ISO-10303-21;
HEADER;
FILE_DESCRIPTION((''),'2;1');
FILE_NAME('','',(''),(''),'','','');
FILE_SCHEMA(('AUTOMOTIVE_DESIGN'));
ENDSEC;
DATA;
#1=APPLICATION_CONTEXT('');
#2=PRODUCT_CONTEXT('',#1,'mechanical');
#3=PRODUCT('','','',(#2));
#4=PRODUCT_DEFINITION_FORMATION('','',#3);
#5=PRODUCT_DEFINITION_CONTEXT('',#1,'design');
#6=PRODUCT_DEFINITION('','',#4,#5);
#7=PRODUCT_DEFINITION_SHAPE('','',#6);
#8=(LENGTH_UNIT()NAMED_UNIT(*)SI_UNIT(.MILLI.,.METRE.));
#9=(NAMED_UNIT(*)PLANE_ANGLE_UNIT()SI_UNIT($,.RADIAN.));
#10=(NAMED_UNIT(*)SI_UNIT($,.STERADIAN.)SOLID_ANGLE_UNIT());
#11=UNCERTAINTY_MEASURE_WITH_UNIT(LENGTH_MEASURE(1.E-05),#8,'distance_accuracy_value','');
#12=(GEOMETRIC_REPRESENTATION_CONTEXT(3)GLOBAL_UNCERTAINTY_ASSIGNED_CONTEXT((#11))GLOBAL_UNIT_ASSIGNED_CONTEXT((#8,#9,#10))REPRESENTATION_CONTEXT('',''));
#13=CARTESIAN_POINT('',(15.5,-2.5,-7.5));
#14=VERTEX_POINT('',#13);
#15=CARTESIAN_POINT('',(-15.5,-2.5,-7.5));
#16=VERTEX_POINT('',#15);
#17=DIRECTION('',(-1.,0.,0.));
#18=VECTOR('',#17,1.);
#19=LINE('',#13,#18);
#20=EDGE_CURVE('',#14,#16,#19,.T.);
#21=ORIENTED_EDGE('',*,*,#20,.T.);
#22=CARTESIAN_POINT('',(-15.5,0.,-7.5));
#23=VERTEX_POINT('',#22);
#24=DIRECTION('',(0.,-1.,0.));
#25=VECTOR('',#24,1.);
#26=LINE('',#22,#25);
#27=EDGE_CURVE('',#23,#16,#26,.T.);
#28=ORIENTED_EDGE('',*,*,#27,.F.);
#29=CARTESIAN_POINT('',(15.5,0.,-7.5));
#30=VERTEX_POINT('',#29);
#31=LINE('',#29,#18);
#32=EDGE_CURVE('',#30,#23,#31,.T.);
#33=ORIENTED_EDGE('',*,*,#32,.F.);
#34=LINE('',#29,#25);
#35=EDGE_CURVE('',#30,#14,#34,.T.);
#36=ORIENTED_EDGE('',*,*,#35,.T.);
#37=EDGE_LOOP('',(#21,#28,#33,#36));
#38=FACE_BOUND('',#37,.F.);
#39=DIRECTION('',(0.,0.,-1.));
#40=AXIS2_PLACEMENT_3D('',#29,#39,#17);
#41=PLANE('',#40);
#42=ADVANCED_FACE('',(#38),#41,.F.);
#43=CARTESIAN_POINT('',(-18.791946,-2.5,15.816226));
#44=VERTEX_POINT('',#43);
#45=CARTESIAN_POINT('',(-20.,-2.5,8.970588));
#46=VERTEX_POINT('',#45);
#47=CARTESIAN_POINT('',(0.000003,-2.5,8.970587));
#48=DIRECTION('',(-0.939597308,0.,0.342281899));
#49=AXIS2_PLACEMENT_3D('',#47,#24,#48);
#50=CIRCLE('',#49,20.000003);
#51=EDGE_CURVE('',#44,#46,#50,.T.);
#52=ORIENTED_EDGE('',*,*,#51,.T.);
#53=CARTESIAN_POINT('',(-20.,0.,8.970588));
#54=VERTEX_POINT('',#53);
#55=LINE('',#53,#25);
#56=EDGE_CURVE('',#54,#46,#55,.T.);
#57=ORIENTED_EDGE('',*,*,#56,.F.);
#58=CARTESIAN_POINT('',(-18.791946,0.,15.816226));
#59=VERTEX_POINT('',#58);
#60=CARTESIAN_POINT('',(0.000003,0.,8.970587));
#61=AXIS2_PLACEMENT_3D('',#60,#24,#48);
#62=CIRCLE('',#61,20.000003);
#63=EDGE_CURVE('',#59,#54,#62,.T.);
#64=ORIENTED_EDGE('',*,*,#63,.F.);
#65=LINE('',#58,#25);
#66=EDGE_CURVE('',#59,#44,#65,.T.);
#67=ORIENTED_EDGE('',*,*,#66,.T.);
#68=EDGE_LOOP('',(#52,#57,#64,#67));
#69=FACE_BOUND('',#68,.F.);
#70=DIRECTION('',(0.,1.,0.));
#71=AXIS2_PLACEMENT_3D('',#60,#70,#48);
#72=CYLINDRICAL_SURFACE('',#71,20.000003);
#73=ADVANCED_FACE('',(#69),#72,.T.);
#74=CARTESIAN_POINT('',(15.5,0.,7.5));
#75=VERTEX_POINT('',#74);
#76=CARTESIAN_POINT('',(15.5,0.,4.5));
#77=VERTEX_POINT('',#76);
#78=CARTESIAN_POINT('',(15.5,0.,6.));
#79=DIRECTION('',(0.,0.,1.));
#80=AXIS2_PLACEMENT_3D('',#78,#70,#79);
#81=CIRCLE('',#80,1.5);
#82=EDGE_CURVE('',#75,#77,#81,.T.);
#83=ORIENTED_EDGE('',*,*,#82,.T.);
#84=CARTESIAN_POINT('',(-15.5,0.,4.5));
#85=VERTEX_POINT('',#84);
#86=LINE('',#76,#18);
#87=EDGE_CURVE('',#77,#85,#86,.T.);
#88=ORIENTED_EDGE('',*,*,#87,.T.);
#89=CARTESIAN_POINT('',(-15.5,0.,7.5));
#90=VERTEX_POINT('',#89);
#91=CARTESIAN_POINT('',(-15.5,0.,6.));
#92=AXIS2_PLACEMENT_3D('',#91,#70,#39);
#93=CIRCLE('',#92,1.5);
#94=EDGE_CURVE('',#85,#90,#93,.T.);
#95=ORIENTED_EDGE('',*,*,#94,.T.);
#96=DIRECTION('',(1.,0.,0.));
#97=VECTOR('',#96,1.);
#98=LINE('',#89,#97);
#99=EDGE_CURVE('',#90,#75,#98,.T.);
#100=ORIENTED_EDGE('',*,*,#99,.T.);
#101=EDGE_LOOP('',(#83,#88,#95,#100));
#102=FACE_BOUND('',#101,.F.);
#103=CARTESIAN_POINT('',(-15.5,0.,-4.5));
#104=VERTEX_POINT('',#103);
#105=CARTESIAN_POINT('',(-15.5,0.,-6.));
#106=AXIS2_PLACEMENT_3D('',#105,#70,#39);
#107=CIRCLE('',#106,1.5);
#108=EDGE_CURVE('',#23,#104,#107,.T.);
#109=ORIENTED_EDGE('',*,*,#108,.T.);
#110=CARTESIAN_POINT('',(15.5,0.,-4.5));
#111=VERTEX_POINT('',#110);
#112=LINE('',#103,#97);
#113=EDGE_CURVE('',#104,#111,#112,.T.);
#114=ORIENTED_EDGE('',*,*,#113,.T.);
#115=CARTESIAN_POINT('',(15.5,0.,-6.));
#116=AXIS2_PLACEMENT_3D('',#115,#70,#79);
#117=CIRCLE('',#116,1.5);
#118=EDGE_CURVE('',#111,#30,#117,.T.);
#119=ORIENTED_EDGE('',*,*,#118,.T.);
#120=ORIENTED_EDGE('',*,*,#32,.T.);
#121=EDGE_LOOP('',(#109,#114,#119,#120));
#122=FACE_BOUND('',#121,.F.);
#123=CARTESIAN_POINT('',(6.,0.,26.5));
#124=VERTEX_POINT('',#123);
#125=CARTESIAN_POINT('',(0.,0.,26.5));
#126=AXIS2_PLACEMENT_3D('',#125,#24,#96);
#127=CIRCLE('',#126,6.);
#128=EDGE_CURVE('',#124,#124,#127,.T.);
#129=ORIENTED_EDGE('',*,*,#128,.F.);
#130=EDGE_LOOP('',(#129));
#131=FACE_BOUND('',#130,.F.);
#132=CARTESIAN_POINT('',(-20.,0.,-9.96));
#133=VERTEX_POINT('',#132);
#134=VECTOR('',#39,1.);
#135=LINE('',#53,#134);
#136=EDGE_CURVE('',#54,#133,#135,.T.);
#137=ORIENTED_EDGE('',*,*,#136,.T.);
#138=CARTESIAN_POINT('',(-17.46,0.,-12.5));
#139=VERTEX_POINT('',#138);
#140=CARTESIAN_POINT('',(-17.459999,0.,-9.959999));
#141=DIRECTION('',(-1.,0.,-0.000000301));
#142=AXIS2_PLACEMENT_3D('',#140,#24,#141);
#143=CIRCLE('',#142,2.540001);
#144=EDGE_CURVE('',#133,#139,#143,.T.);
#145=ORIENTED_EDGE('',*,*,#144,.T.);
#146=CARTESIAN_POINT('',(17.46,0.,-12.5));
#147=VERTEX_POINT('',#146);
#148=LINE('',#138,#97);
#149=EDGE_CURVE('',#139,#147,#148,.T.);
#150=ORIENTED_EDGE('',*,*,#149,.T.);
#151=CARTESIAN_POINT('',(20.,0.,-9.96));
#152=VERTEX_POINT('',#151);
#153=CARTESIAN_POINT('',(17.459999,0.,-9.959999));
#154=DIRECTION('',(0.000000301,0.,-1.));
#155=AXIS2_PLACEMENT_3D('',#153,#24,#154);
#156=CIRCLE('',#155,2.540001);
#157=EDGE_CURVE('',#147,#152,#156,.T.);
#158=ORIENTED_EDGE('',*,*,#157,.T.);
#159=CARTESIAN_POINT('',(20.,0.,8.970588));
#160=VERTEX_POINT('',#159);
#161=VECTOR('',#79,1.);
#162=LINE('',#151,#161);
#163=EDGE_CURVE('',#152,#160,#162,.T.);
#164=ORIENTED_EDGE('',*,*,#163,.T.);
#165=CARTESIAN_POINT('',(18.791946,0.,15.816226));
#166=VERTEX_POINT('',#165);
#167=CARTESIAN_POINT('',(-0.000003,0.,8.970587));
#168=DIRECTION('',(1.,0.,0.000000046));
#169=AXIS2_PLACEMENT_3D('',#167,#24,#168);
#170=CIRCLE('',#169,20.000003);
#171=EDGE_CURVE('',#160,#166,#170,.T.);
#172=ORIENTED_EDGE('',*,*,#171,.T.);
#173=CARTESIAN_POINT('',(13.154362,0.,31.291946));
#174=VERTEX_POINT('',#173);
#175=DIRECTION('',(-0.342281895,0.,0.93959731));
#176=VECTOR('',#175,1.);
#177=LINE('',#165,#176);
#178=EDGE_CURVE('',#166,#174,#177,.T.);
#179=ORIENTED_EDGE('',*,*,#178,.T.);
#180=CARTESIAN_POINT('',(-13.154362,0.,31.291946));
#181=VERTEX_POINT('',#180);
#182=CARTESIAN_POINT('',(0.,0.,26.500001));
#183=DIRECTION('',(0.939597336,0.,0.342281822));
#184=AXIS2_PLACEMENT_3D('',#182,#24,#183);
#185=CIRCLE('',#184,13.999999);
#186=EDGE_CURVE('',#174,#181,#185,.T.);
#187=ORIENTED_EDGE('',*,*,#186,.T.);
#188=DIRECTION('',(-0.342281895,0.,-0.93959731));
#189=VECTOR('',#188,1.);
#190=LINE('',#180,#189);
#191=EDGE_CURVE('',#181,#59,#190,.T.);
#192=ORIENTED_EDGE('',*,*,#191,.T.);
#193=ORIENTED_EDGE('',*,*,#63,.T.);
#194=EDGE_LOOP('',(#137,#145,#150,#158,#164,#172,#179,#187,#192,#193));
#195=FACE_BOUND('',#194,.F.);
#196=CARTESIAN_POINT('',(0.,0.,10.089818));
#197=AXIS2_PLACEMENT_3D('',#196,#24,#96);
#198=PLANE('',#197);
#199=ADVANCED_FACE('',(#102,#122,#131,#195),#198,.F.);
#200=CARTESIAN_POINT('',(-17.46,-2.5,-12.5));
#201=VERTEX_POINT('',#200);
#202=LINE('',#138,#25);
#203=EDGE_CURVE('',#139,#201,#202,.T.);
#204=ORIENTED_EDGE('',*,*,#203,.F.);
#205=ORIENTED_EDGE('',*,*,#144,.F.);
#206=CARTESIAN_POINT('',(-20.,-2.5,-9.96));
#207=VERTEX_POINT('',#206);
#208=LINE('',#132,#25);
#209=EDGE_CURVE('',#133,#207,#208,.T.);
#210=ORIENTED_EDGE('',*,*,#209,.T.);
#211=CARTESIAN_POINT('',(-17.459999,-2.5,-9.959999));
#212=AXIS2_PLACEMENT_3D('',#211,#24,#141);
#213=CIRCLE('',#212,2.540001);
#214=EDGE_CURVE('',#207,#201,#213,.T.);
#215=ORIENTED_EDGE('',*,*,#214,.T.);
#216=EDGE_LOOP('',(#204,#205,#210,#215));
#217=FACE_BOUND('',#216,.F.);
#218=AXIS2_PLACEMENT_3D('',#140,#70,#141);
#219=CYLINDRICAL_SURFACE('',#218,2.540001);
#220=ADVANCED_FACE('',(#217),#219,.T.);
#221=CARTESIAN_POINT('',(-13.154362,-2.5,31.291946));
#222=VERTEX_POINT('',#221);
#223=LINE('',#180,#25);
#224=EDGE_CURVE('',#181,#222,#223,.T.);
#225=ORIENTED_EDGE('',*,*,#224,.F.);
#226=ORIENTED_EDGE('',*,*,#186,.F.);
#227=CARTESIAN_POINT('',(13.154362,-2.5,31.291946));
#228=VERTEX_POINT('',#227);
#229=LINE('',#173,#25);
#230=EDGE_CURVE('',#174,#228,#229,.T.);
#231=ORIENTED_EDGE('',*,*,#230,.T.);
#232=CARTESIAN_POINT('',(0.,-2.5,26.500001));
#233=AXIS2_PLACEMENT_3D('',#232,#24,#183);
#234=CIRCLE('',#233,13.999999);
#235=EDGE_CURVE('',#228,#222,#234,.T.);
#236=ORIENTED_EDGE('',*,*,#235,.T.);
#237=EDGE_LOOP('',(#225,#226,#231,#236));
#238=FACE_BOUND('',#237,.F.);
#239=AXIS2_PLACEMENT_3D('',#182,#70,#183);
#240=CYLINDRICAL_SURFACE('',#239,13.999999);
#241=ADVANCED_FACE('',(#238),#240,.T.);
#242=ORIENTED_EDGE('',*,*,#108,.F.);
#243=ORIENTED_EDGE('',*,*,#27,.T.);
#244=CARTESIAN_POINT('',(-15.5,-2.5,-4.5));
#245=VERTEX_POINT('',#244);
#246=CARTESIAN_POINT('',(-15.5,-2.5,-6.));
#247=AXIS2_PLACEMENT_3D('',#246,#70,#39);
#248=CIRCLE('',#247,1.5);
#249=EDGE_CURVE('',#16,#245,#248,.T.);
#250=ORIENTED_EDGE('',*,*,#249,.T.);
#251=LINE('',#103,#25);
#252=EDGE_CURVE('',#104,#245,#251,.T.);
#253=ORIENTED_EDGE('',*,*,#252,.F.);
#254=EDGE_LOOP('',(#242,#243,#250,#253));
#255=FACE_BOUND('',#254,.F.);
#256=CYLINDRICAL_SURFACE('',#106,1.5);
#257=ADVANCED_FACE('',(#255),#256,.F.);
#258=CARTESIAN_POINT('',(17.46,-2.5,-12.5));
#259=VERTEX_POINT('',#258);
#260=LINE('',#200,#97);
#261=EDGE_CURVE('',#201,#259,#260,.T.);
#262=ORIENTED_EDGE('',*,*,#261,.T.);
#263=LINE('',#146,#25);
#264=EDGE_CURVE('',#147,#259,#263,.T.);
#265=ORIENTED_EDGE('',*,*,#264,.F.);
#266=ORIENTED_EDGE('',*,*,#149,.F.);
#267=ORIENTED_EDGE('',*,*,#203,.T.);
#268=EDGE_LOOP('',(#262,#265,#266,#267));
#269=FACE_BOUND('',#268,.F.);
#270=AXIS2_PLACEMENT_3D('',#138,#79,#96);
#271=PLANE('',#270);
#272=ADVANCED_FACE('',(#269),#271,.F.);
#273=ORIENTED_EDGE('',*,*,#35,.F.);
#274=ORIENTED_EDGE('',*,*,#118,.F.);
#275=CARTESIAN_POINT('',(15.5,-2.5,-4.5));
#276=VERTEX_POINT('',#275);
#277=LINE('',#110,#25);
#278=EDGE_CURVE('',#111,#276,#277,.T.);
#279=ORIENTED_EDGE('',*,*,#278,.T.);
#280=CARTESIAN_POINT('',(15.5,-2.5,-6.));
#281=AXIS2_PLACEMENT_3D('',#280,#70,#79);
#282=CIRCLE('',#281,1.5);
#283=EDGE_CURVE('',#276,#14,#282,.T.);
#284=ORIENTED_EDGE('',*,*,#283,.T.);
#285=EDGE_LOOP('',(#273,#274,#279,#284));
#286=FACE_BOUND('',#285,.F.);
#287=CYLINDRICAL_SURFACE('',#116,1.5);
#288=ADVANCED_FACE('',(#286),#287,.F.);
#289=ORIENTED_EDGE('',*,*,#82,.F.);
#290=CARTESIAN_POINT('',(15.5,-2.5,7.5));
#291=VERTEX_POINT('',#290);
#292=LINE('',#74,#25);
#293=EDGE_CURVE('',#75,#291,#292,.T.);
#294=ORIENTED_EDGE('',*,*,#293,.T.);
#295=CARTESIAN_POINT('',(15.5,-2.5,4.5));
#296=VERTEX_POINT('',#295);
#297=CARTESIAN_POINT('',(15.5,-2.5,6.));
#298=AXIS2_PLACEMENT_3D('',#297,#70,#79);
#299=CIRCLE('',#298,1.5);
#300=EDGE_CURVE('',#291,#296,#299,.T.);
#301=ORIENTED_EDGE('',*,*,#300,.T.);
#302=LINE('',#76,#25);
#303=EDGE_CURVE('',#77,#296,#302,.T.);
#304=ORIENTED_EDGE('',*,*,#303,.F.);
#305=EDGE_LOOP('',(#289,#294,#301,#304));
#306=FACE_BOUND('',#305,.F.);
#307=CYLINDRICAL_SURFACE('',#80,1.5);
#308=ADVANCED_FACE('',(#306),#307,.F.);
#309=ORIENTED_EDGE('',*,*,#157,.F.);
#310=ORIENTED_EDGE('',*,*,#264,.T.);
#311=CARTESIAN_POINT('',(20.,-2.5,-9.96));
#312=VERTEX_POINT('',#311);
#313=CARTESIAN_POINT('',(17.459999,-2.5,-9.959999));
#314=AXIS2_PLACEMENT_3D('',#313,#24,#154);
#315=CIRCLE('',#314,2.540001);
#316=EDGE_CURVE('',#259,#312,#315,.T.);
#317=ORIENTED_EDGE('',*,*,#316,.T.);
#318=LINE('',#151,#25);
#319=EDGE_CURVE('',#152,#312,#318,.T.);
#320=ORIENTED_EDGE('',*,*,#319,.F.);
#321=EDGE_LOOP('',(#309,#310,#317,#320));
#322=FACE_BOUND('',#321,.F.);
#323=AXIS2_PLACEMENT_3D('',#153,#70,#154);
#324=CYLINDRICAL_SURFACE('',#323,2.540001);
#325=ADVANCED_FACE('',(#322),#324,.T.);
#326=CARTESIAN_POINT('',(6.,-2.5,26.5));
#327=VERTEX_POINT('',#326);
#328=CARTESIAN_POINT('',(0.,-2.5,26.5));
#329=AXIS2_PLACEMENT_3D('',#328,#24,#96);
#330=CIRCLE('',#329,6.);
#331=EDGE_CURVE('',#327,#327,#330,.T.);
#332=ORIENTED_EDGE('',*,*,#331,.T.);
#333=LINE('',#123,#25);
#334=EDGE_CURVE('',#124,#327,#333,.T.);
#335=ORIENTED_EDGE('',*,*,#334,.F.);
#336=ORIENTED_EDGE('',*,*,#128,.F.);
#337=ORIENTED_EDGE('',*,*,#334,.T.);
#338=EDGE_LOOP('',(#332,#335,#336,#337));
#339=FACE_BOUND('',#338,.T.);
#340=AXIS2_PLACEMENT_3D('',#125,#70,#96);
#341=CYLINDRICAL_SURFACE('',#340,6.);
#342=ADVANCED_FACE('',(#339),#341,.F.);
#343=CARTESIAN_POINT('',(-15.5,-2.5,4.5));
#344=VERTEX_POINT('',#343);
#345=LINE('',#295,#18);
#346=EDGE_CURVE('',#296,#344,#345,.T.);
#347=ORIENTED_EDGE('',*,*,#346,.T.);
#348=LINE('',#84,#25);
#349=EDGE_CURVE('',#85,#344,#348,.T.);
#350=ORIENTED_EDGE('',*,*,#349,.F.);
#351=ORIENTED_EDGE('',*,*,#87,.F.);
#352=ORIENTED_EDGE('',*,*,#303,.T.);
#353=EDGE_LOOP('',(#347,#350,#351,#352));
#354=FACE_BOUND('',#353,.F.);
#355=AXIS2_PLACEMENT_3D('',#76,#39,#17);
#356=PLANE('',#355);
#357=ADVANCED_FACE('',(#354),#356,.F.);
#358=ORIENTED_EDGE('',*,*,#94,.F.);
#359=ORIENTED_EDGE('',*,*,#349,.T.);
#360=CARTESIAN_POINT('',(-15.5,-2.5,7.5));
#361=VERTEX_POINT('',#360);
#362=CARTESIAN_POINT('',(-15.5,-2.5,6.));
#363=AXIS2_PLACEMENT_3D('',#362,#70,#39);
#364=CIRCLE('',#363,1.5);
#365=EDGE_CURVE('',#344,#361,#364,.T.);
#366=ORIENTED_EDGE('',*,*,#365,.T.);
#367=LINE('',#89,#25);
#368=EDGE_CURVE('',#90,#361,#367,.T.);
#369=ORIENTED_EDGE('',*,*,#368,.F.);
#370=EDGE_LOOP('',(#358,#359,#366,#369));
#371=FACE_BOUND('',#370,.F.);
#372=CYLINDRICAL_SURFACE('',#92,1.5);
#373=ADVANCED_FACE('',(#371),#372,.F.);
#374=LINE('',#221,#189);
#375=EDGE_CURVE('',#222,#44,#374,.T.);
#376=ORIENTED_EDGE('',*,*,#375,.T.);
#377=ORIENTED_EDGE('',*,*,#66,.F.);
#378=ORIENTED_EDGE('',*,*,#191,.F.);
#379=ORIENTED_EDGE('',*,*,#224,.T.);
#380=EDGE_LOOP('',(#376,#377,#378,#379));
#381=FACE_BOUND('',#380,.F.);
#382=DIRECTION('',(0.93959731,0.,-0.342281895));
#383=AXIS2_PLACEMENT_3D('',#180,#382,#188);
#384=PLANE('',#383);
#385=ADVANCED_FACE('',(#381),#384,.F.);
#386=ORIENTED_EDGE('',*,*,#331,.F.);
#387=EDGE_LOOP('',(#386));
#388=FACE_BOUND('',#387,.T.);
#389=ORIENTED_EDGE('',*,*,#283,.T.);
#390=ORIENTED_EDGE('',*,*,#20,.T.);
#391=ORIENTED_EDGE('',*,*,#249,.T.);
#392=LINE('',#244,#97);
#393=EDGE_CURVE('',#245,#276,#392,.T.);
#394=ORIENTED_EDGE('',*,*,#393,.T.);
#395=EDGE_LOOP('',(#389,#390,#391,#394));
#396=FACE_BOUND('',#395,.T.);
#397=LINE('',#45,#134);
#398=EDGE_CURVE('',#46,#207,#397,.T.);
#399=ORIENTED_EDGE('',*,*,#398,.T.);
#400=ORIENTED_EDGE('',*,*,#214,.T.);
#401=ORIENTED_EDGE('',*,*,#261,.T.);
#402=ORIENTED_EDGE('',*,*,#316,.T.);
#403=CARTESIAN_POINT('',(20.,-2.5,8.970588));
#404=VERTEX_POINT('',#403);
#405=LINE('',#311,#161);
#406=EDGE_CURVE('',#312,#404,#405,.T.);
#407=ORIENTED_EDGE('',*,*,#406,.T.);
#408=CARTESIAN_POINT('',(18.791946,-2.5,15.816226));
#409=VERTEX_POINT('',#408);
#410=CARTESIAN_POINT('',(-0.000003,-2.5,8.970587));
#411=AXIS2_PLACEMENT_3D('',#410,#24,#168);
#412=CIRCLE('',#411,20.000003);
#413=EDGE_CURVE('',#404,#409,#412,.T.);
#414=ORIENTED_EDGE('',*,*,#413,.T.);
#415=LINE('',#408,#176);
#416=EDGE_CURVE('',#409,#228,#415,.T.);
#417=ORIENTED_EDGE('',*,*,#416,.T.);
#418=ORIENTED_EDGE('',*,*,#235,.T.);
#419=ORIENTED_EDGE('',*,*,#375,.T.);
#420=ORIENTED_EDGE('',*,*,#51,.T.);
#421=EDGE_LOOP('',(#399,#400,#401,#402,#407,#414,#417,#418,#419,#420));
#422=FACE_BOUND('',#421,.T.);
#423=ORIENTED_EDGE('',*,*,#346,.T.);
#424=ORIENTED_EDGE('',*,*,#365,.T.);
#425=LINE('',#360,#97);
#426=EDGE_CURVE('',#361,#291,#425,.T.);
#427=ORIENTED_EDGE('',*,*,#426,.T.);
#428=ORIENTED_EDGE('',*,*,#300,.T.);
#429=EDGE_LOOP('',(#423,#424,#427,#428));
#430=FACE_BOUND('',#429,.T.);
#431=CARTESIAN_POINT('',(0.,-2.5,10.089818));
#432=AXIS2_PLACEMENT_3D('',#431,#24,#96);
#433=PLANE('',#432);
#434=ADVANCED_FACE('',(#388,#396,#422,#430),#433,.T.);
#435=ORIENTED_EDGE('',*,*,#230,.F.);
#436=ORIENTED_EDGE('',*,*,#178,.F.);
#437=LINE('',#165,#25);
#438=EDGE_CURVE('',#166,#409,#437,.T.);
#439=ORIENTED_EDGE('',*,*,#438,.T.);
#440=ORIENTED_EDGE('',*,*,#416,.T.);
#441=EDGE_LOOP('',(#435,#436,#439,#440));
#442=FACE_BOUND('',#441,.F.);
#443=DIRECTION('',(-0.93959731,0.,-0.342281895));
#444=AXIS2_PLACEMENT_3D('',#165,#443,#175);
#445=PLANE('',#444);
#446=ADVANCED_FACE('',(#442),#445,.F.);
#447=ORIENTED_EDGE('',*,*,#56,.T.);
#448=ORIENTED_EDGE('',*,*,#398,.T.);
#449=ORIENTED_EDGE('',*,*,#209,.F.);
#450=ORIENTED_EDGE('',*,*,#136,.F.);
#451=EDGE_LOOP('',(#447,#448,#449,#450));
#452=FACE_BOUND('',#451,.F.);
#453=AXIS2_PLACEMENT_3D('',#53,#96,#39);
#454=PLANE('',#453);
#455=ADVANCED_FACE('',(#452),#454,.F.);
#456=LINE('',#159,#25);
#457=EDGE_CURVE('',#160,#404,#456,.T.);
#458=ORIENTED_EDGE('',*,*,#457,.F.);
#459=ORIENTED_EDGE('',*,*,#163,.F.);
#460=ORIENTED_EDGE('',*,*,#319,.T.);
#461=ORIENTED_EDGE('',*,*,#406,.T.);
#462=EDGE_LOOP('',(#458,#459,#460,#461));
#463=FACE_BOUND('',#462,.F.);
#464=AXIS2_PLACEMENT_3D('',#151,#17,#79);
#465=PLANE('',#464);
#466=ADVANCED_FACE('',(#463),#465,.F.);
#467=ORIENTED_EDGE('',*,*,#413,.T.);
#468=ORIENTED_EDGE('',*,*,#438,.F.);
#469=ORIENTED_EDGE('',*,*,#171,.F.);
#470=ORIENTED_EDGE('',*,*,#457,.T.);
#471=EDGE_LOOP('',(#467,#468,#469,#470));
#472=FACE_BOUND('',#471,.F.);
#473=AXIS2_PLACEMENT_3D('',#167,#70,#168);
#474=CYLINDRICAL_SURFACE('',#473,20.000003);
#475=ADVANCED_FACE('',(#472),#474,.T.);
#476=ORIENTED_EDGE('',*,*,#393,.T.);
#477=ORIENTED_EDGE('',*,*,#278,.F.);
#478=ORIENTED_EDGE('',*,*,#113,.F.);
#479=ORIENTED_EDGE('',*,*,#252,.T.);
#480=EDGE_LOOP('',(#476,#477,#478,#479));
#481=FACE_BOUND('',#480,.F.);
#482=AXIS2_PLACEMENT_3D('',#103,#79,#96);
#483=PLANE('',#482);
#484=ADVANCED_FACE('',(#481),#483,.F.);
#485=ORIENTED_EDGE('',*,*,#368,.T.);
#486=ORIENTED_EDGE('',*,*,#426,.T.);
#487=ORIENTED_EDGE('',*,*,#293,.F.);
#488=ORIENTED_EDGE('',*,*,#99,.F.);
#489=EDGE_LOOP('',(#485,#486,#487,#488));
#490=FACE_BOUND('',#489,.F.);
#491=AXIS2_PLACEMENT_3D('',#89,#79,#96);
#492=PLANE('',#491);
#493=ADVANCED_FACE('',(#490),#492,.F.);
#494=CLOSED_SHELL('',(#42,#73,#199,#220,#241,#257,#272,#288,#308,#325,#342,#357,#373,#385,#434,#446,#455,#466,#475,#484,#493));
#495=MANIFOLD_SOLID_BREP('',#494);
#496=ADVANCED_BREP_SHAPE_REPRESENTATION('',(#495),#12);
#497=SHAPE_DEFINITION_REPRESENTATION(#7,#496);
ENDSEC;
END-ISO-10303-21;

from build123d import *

# Parameters (mm, degrees)
F0_R     = 6
F1_DEPTH = 2.5
F2_DEPTH = 8
F3_R     = 1.54


with BuildPart() as f1:
    # F0 (on Front) → F1 (new body)
    with BuildSketch(Plane.XZ):
        with BuildLine():
            ThreePointArc((-20, -9.96), (-19.256051, -11.756051), (-17.46, -12.5))
            Line((-17.46, -12.5), (17.46, -12.5))
            ThreePointArc((17.46, -12.5), (19.256051, -11.756051), (20, -9.96))
            Line((20, -9.96), (20, 8.970588))
            ThreePointArc((20, 8.970588), (19.695671, 12.446295), (18.791946, 15.816226))
            Line((18.791946, 15.816226), (13.154362, 31.291946))
            ThreePointArc((13.154362, 31.291946), (0, 40.5), (-13.154362, 31.291946))
            Line((-13.154362, 31.291946), (-18.791946, 15.816226))
            ThreePointArc((-18.791946, 15.816226), (-19.695671, 12.446295), (-20, 8.970588))
            Line((-20, 8.970588), (-20, -9.96))
        make_face()
        with BuildLine():
            ThreePointArc((-15.5, -7.5), (-17, -6), (-15.5, -4.5))
            Line((-15.5, -4.5), (15.5, -4.5))
            ThreePointArc((15.5, -4.5), (17, -6), (15.5, -7.5))
            Line((15.5, -7.5), (-15.5, -7.5))
        make_face(mode=Mode.SUBTRACT)
        with BuildLine():
            Line((15.5, 4.5), (-15.5, 4.5))
            ThreePointArc((-15.5, 4.5), (-17, 6), (-15.5, 7.5))
            Line((-15.5, 7.5), (15.5, 7.5))
            ThreePointArc((15.5, 7.5), (17, 6), (15.5, 4.5))
        make_face(mode=Mode.SUBTRACT)
        with Locations((0, 26.5)):
            Circle(F0_R, mode=Mode.SUBTRACT)
    extrude(amount=F1_DEPTH)


with BuildPart() as f2:
    # F0 (on Front) → F2 (new body)
    with BuildSketch(Plane.XZ):
        with Locations((0, 26.5)):
            Circle(F0_R)
    extrude(amount=F2_DEPTH)

    # F3
    f3_edges = [f2.edges().sort_by_distance(p)[0] for p in [
        (-6, -8, 26.5),
    ]]
    fillet(f3_edges, radius=F3_R)


solid = f1.part
